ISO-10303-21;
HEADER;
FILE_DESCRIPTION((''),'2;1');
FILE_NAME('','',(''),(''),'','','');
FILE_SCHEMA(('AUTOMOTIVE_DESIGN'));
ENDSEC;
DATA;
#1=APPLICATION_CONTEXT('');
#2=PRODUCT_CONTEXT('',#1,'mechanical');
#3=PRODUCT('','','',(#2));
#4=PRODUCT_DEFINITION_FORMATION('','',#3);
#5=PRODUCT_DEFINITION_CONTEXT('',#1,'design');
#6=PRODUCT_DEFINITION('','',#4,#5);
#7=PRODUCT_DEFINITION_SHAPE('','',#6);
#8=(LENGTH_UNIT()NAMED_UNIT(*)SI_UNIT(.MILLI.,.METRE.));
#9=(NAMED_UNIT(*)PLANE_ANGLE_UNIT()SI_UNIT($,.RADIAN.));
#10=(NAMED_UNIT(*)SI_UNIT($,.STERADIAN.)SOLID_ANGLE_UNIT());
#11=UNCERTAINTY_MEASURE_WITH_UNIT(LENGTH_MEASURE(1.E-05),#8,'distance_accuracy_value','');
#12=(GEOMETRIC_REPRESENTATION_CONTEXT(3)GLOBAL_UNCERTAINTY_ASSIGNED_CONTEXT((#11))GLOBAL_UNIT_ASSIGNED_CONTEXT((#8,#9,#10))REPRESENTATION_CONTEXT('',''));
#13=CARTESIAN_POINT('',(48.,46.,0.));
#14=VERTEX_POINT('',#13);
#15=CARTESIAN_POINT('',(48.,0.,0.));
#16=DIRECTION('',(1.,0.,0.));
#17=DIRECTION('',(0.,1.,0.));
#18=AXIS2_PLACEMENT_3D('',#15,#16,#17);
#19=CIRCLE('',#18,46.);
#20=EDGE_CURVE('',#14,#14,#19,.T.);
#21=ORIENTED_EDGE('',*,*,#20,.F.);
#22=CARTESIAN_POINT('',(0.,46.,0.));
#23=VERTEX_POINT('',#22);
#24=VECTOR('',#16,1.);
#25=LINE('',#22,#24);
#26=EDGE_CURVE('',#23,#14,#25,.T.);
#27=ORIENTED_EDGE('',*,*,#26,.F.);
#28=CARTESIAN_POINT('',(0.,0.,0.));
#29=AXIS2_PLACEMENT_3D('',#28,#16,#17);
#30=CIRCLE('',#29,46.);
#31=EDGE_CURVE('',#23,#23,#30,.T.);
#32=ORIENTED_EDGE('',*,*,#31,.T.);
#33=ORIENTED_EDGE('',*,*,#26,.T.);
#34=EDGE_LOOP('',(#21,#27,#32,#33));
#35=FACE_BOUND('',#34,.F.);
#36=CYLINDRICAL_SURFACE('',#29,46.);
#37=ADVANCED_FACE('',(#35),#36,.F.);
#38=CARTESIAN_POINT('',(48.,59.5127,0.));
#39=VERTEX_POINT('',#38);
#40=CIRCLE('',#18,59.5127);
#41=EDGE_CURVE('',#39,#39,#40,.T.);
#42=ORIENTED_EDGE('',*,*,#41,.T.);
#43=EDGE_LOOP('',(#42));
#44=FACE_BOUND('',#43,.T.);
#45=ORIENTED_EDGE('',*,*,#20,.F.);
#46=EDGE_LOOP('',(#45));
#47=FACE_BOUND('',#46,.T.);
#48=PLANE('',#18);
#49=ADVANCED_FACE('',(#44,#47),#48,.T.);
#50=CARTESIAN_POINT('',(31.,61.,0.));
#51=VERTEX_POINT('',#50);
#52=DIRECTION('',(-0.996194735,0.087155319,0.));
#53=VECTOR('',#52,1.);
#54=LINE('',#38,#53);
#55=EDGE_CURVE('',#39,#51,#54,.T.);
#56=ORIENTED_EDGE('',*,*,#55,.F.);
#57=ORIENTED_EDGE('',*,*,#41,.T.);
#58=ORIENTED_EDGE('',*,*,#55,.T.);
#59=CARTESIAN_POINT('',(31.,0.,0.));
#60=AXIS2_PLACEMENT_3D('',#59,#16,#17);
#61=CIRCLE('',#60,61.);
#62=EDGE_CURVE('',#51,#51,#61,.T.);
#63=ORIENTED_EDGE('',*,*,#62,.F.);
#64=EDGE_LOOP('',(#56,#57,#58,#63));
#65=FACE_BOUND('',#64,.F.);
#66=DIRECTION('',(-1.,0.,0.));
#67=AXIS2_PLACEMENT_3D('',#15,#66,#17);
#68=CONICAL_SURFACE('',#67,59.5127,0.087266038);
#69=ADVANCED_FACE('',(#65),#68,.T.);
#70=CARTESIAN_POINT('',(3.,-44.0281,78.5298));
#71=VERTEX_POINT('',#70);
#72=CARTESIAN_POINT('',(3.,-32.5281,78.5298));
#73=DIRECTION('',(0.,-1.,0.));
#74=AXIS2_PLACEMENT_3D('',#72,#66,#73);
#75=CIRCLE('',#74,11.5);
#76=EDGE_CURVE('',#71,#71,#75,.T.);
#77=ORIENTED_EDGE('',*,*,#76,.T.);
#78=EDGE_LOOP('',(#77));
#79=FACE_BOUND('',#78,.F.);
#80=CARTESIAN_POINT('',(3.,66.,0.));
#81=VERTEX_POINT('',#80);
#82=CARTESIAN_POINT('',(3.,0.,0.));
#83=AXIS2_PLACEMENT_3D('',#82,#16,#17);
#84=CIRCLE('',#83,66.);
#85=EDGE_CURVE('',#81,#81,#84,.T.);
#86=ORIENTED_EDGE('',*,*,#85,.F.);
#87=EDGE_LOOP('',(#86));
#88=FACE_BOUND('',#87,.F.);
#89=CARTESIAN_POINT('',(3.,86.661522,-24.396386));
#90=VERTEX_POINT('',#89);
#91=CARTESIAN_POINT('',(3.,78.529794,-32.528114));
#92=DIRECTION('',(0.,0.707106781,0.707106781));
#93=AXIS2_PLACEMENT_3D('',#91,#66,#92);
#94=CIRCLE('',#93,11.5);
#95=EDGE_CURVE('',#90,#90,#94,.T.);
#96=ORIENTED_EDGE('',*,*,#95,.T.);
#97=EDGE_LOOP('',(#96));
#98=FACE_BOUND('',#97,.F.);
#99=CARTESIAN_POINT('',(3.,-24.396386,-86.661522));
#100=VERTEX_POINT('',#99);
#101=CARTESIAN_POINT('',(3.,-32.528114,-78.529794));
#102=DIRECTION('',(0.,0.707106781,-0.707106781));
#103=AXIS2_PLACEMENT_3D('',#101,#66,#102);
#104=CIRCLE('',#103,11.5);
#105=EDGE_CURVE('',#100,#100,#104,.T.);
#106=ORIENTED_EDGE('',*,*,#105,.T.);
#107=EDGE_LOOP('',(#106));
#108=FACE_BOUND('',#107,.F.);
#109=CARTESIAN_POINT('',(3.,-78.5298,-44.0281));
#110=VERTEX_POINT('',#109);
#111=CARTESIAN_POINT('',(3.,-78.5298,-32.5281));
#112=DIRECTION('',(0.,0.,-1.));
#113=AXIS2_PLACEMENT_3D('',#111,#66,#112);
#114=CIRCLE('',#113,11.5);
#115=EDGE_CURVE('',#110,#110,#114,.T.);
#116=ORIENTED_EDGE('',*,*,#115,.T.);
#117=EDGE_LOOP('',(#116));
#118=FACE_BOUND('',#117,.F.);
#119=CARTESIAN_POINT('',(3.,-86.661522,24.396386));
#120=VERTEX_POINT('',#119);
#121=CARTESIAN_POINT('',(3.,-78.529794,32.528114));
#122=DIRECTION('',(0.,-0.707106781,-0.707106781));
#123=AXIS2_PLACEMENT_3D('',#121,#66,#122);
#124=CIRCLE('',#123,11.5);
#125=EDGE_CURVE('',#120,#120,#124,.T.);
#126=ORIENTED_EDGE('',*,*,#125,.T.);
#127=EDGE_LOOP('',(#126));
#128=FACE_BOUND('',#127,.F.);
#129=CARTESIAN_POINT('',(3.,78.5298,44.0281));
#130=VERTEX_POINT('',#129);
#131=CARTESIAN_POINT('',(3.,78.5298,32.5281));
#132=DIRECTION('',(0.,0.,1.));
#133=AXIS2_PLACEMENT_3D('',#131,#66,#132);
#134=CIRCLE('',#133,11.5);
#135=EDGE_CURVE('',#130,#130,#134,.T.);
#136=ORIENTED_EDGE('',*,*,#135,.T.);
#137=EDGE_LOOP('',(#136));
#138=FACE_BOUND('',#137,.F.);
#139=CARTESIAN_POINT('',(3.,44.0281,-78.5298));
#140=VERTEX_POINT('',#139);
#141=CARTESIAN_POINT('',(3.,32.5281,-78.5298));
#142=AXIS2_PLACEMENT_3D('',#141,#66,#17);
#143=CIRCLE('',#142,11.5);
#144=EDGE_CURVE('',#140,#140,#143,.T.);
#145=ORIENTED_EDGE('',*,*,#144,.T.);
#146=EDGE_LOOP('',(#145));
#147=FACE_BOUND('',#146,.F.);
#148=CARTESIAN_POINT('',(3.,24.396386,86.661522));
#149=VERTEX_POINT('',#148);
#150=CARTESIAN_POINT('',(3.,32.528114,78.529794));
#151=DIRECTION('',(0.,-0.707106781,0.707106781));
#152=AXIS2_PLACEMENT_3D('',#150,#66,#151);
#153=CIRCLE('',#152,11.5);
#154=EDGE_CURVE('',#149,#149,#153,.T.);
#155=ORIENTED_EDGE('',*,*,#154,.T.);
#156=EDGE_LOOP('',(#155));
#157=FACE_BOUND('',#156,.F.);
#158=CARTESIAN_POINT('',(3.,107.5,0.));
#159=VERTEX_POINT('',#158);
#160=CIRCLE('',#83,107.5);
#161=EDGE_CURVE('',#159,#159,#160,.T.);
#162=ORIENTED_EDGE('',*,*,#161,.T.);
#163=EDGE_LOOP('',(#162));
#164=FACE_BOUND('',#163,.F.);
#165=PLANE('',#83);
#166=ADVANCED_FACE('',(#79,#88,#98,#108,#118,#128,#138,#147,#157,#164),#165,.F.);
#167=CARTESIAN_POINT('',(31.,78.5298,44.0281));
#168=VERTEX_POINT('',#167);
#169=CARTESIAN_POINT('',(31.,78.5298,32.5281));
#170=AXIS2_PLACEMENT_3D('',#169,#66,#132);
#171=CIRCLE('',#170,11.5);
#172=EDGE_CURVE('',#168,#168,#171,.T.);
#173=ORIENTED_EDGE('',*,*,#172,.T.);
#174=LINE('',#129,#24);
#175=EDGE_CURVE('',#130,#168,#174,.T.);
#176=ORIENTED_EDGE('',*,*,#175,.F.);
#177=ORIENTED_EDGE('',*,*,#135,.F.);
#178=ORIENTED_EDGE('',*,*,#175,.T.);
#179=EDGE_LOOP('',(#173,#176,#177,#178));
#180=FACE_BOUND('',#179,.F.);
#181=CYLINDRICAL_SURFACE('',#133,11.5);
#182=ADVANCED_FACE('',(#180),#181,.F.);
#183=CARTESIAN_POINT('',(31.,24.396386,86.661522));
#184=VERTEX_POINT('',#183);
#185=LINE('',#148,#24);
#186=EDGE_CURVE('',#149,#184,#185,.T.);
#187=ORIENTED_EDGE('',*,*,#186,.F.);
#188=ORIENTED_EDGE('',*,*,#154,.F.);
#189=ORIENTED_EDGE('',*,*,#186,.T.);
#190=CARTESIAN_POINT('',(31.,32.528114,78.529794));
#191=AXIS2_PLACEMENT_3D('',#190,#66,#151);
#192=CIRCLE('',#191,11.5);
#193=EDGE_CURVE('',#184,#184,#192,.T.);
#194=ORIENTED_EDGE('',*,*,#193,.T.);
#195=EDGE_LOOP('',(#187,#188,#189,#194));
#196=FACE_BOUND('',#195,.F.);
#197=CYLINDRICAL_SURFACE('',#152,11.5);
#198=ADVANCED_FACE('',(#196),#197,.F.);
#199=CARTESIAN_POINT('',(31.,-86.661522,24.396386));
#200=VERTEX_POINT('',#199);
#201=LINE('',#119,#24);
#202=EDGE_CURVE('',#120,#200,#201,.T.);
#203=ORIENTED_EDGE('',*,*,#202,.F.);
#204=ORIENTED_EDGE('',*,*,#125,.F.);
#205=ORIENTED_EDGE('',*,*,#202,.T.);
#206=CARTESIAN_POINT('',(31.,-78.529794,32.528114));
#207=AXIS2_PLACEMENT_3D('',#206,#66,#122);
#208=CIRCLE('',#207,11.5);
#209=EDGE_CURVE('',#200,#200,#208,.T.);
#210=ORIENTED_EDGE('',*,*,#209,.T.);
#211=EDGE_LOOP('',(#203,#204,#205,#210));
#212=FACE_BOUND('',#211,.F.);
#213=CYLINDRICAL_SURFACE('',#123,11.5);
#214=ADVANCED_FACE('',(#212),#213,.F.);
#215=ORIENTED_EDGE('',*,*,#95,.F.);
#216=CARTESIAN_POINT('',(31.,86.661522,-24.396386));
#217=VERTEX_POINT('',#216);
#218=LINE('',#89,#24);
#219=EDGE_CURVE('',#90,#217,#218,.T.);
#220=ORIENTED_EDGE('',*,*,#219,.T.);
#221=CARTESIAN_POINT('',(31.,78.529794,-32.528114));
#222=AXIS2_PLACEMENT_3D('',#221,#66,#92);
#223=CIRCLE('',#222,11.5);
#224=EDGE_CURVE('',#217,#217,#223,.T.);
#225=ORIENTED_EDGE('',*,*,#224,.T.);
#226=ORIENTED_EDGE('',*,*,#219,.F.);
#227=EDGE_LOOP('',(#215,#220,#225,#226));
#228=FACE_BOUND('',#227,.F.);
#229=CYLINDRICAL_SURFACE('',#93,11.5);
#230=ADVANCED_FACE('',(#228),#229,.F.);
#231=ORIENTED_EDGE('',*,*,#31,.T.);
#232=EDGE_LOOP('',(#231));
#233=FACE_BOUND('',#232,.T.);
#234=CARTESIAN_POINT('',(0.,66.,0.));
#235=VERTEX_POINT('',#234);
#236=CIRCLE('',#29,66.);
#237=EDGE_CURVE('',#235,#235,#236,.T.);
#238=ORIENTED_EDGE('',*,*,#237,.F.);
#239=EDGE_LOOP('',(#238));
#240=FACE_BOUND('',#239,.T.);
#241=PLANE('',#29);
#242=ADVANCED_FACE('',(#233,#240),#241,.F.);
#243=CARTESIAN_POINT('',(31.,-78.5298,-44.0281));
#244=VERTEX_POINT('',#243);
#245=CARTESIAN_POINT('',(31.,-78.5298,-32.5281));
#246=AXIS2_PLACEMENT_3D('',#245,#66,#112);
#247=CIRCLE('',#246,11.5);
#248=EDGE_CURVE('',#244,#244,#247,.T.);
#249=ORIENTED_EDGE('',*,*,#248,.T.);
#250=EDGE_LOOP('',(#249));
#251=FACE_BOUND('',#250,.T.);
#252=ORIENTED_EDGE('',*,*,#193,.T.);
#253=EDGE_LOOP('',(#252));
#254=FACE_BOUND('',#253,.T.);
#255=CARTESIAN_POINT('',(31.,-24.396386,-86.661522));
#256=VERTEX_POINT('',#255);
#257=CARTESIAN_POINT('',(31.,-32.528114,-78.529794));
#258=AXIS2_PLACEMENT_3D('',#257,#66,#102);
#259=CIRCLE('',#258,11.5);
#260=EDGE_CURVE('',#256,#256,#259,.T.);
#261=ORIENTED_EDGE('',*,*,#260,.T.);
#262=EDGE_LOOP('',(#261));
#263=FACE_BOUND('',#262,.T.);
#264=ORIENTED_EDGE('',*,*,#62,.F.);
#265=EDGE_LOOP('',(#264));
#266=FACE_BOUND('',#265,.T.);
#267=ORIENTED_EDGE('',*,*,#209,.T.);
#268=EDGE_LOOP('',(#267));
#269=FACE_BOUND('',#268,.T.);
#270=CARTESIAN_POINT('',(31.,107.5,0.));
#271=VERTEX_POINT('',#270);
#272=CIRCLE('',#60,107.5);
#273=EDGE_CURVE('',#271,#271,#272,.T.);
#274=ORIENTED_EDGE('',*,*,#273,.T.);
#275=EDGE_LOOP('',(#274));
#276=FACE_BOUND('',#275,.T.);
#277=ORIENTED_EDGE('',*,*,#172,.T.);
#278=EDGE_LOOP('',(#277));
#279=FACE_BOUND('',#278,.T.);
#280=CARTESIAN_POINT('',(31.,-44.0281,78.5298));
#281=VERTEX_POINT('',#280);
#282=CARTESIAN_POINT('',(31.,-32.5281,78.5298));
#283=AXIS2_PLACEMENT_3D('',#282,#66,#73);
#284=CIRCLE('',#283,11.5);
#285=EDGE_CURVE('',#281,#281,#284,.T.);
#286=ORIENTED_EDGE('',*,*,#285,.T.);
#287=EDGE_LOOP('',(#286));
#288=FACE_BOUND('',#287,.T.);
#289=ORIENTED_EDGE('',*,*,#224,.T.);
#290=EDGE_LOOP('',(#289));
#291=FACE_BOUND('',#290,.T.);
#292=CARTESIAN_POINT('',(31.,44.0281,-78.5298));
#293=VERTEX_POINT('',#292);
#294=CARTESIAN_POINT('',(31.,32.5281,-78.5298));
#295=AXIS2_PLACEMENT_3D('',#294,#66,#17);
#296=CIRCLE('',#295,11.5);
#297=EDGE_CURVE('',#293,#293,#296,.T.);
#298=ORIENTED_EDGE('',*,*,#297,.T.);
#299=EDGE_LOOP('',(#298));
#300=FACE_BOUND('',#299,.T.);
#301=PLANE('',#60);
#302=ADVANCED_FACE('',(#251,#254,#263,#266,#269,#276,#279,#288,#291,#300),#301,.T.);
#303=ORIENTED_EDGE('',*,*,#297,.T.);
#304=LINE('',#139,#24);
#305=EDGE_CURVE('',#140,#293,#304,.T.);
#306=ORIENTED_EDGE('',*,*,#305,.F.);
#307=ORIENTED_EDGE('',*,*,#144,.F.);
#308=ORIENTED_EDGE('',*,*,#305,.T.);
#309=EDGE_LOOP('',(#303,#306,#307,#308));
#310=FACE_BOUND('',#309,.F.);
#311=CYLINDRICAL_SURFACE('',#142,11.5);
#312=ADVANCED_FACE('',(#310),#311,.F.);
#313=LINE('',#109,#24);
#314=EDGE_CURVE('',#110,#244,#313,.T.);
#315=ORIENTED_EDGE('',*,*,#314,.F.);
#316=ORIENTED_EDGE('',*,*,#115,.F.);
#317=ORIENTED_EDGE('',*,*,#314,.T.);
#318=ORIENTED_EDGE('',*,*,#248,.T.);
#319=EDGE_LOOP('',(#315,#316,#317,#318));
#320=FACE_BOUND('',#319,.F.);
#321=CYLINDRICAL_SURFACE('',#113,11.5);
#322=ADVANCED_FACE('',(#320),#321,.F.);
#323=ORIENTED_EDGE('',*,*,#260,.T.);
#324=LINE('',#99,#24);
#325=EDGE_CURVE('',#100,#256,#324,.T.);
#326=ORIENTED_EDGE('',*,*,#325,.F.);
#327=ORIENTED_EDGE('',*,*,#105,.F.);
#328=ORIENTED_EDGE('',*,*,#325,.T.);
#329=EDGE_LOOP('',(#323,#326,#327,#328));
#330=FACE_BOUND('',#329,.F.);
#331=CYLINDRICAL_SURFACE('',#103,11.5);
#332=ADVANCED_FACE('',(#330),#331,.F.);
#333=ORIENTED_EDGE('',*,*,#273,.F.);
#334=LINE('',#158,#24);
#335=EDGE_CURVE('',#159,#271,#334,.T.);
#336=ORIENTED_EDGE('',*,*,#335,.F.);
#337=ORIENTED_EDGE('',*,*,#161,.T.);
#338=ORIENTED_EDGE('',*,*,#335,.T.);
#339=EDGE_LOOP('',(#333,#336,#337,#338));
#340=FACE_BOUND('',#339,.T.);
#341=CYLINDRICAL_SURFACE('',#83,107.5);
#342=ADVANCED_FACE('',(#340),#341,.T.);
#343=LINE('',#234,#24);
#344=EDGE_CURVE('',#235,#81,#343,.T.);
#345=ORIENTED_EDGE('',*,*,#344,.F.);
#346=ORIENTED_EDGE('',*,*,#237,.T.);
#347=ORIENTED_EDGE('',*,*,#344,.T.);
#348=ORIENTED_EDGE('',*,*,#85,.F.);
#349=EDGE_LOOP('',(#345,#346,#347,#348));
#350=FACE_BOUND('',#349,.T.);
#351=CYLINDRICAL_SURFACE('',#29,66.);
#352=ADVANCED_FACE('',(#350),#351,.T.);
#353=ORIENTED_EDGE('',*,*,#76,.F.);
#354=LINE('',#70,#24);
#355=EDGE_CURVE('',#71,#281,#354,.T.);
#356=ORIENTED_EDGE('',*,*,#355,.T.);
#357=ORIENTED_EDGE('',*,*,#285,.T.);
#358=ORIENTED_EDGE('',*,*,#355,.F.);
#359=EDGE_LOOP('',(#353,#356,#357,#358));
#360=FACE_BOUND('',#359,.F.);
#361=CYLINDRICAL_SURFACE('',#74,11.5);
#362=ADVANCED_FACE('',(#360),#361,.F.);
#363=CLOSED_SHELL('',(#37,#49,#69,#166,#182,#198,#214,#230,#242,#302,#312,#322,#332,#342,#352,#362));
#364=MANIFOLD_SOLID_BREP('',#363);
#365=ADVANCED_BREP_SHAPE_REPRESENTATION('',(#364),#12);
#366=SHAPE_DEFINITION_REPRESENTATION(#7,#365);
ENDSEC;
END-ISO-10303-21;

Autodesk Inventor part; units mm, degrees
ref_plane "YZ Plane" through (0, 0, 0) normal (1, 0, 0) x (0, 1, 0)
ref_plane "XZ Plane" through (0, 0, 0) normal (0, 1, 0) x (-1, 0, 0)
ref_plane "XY Plane" through (0, 0, 0) normal (0, 0, 1) x (1, 0, 0)
sketch "Sketch1" plane through (0, 0, 0) normal (0, 0, 1) x (1, 0, 0)
  line L0 (0, 0) -> (48, 0) construction
  line L1 (0, 46) -> (0, 66)
  line L2 (0, 66) -> (3, 66)
  line L3 (3, 107.5) -> (31, 107.5)
  line L4 (0, 46) -> (0, 0) construction
  line L5 (3, 107.5) -> (3, 66)
  line L6 (31, 107.5) -> (31, 61)
  line L7 (0, 46) -> (48, 46)
  line L8 (48, 46) -> (48, 0) construction
  line L9 (48, 59.5127) -> (31, 61)
  line L10 (48, 59.5127) -> (48, 46)
  dimension "d0" = 132
  dimension "d1" = 215
  dimension "d2" = 31
  dimension "d3" = 3
  dimension "d8" = 92
  dimension "d9" = 122
  dimension "d10" = 48
  dimension "d12" = 5
revolve "Revolution1" add sketch "Sketch1" angle 360 about axis through (0, 0, 0) along (1, 0, 0)
sketch "Sketch2" plane through (3, 0, 0) normal (-1, 0, 0) x (0, 0, 1)
  circle A0 centre (0, 0) radius 66 projected
  line L0 (0, 0) -> (0, 85) construction
  circle A1 centre (0, 0) radius 107.5 projected
  circle A2 centre (0, 0) radius 85 construction
  line L1 (0, 0) -> (32.5281, 78.5298) construction
  circle A3 centre (32.5281, 78.5298) radius 11.5
  dimension "d13" = 23
  dimension "d14" = 85
  dimension "d15" = 22.5
extrude "Extrusion1" cut sketch "Sketch2" against normal blind 31 contours A3
pattern_circular "Circular Pattern1" count 8 over 360 about axis through (1.5, 0, 0) along (1, 0, 0) of "Extrusion1"
equation "\"d0\" = D1"
equation "\"d1\" = D"
equation "\"d2\" = C1"
equation "\"d3\" = F1"
equation "\"d8\" = ID + 2 * t"
equation "\"d9\" = N3"
equation "\"d10\" = H2"
equation "\"d13\" = L"
equation "\"d14\" = 0.5 * K1"
equation "\"d4\" = C1"
equation "\"C1\" = 31"
equation "\"D\" = 215"
equation "\"L\" = 23"
equation "\"N3\" = 122"
equation "\"D1\" = 132"
equation "\"H2\" = 48"
equation "\"F1\" = 3"
equation "\"t\" = 6"
equation "\"Size_Designation\" = 1.2345"
equation "\"ID\" = 80"
equation "\"K1\" = 170"
properties part number "DIN EN 1092-2 Hubbed Slip-On Flange for Welding Type 12 - PN 63 Ductile Iron DN80" material "Iron, Ductile"
